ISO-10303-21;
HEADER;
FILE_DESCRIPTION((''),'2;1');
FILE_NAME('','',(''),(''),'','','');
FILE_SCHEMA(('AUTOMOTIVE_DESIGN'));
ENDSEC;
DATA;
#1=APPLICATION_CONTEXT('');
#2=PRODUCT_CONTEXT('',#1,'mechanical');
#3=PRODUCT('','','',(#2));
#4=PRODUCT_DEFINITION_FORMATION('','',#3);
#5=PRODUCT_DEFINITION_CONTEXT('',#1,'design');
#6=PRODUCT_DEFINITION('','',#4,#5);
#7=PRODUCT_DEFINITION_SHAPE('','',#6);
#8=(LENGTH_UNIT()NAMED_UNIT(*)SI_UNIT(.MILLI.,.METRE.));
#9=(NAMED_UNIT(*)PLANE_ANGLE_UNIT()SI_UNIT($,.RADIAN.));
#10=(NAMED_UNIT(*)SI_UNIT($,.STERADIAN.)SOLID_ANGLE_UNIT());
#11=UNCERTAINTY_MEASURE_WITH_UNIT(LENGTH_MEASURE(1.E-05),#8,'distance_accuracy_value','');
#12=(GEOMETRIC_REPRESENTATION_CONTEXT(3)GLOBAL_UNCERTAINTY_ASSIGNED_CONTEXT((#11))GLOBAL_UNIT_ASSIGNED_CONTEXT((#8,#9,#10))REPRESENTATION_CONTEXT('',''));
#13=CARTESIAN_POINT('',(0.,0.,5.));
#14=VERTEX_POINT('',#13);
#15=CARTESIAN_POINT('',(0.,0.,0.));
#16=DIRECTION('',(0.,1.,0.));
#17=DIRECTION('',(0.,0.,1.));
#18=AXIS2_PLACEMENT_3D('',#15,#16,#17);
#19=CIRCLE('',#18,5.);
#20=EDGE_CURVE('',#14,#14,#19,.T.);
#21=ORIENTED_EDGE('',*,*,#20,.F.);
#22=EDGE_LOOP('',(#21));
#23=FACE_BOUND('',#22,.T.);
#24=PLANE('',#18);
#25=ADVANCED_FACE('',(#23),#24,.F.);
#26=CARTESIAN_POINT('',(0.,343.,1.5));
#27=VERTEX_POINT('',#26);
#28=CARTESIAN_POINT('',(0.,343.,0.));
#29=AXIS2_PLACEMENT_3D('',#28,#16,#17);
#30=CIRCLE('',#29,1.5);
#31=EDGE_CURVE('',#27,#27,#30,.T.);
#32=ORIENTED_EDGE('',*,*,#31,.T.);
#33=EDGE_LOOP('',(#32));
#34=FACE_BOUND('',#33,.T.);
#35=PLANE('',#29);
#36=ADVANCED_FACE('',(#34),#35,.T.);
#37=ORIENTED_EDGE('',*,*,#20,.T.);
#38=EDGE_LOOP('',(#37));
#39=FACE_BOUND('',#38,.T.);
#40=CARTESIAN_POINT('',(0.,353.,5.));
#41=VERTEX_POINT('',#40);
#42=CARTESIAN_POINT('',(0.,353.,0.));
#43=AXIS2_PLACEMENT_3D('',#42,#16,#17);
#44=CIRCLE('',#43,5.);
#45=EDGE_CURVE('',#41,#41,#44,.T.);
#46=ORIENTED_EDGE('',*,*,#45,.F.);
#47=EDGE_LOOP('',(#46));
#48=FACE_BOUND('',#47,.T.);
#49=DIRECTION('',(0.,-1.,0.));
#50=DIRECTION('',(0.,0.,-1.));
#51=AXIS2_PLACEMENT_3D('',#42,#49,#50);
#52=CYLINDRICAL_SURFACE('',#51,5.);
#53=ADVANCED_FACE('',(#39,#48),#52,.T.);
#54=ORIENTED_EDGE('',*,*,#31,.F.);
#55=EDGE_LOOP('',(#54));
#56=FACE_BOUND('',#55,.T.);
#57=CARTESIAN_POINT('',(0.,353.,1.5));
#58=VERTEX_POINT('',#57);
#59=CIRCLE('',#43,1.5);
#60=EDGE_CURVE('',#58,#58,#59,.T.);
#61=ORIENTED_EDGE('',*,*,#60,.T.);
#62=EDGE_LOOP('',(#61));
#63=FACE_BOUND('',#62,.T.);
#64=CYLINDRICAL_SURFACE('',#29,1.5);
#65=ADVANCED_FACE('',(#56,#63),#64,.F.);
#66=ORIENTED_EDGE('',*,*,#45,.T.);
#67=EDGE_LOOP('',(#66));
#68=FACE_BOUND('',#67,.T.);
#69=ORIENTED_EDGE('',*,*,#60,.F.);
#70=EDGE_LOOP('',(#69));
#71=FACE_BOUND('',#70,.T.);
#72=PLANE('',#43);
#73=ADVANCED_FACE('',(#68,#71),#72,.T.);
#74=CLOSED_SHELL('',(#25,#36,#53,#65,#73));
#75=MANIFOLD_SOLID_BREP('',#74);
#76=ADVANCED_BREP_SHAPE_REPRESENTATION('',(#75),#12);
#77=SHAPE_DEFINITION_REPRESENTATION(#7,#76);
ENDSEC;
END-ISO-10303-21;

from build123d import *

# Parameters (mm, degrees)
SKETCH1_R           = 5
BOSS_EXTRUDE1_DEPTH = 353
SKETCH2_R           = 1.5
CUT_EXTRUDE1_DEPTH  = 10


with BuildPart() as part:
    # Sketch1 → Boss-Extrude1 (new body)
    with BuildSketch(Plane(origin=(0, 0, 0), x_dir=(1, 0, 0), z_dir=(0, 1, 0))):
        Circle(SKETCH1_R)
    extrude(amount=BOSS_EXTRUDE1_DEPTH)

    # Sketch2 → Cut-Extrude1 (cut)
    with BuildSketch(Plane(origin=(0, 353, 0), x_dir=(1, 0, 0), z_dir=(0, 1, 0))):
        Circle(SKETCH2_R)
    extrude(amount=-CUT_EXTRUDE1_DEPTH, mode=Mode.SUBTRACT)


solid = part.part
